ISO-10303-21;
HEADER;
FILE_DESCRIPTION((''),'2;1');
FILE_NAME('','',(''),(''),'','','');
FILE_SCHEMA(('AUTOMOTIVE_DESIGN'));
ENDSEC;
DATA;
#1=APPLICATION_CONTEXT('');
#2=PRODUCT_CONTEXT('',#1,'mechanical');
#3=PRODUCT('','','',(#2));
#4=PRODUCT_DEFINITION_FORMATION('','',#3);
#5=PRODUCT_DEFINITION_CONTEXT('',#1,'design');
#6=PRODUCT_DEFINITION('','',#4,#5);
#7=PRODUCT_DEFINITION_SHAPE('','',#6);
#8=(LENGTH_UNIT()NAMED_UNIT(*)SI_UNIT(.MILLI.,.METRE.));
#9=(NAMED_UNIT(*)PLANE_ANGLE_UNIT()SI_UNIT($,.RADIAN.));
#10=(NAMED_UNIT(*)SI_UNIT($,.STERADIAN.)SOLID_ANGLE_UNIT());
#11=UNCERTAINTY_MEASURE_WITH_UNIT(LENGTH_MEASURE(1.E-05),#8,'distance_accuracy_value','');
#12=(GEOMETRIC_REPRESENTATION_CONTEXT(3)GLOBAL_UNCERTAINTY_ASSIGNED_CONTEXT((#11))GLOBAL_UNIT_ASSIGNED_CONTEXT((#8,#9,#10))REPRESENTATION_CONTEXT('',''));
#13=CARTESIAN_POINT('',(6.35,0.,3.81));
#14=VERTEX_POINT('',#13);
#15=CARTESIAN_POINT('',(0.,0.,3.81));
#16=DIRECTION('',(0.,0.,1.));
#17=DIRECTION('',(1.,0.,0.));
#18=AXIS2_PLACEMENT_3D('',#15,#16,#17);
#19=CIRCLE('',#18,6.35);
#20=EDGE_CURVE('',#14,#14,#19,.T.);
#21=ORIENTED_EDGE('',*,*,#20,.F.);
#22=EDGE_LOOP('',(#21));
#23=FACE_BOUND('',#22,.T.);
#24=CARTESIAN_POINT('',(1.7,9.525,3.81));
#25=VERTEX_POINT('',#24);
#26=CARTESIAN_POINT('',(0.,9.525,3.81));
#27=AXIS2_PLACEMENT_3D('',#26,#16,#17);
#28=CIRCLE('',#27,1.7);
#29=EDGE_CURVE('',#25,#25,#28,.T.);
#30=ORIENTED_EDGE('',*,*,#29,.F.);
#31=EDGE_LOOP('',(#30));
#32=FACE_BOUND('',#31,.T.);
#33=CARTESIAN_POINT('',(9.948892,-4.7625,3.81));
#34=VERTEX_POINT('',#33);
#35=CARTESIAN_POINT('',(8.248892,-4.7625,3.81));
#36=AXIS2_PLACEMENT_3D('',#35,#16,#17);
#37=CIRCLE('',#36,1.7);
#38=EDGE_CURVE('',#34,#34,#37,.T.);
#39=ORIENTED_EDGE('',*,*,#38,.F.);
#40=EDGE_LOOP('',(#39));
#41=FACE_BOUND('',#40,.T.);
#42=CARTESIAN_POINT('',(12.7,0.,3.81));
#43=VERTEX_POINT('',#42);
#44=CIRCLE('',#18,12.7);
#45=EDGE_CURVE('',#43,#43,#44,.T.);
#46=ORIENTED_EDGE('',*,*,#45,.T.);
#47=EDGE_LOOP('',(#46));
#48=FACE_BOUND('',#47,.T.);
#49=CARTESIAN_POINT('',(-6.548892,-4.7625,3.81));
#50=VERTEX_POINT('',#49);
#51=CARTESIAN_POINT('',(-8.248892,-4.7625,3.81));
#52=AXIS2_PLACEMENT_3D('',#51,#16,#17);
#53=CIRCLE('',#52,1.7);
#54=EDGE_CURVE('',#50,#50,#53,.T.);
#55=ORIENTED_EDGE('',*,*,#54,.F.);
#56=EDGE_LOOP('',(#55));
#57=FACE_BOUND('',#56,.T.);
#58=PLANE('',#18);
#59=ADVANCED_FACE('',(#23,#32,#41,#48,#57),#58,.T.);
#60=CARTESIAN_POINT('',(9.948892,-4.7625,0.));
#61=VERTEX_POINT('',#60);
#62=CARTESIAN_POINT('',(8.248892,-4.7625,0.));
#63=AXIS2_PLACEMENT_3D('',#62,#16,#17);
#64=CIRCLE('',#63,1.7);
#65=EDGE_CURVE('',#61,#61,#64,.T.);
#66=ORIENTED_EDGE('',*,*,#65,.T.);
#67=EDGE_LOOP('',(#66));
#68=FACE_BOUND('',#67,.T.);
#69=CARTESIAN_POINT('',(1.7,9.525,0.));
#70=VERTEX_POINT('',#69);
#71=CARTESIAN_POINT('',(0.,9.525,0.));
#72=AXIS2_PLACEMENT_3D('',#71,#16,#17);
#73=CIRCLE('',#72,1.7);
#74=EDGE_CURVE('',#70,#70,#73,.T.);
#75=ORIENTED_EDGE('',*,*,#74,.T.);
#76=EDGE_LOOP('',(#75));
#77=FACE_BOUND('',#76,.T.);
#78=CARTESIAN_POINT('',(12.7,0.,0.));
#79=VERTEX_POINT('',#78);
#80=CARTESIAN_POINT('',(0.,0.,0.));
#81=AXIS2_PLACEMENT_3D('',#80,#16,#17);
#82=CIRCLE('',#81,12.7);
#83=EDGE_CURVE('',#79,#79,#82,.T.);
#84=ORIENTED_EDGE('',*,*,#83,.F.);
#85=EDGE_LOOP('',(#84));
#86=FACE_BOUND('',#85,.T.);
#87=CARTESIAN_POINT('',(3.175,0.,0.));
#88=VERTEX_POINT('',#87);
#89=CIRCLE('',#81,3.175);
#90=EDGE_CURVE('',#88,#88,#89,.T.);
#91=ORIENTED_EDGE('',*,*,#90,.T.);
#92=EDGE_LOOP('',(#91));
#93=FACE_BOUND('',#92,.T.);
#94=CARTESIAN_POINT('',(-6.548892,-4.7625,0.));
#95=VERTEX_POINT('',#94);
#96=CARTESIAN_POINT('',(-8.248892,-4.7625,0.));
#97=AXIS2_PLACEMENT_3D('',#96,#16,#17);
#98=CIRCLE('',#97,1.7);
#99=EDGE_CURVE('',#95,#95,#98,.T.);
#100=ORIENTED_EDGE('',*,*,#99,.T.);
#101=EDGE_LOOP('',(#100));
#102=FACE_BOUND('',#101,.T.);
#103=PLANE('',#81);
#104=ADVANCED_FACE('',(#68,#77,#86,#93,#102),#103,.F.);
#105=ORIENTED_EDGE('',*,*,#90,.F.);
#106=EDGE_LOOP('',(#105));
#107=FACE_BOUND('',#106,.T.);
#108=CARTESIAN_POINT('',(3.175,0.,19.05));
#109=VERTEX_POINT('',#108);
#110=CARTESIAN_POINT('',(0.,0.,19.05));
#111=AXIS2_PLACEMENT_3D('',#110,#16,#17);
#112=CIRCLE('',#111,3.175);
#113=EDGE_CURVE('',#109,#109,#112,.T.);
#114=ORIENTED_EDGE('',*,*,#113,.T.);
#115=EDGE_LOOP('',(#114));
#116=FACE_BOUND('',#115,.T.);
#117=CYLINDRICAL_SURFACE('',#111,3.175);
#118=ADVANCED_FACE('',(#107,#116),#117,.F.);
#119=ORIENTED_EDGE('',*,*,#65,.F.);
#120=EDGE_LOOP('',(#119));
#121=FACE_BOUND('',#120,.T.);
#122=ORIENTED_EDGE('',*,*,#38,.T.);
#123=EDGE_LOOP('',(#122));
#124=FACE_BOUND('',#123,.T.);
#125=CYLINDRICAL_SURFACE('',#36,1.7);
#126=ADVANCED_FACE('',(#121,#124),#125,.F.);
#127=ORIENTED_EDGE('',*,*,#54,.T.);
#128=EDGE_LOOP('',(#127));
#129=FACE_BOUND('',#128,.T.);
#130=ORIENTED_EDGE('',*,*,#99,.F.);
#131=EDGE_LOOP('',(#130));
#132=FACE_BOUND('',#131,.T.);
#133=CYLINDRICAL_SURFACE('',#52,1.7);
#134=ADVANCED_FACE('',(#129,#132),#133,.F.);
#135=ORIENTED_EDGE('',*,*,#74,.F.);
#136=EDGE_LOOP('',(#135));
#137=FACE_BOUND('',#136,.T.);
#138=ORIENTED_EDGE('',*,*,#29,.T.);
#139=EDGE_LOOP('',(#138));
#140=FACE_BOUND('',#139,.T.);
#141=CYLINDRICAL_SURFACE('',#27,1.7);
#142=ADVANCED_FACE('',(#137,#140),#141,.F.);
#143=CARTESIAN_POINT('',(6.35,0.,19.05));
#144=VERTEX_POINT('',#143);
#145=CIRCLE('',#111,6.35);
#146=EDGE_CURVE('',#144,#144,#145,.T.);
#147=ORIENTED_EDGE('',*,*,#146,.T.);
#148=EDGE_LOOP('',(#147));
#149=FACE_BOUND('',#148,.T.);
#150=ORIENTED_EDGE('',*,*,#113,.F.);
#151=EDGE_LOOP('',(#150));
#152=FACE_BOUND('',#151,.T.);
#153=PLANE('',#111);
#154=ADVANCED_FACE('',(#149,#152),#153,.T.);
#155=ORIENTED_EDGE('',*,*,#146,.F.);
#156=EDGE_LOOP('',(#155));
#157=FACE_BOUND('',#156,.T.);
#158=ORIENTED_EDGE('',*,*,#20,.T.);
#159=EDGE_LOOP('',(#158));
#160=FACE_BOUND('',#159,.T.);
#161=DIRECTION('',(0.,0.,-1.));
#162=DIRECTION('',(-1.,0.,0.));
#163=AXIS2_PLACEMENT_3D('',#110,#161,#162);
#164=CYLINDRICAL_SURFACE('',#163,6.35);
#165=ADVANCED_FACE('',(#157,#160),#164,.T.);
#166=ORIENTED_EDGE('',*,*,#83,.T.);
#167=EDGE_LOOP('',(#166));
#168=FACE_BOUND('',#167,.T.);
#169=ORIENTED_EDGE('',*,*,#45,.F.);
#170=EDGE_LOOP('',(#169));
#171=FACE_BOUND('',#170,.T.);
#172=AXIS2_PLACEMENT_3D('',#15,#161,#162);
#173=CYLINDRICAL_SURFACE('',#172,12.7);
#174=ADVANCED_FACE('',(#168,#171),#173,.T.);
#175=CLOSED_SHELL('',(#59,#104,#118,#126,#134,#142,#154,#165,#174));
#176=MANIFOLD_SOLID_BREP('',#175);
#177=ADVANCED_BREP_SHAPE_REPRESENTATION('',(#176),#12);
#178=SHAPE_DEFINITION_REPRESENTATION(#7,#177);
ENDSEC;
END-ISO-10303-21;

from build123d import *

# Parameters (mm, degrees)
SCHIZZO1_R                   = 12.7
ESTRUSIONE_ESTRUSIONE1_DEPTH = 3.81
SCHIZZO2_R                   = 6.35
ESTRUSIONE_ESTRUSIONE2_DEPTH = 15.24
FORI_ALESATO_4_0MM1_D        = 6.35
FORO_PER_VITE_M3_1_D         = 3.4
RIPETIZIONECIRCOLARE2_COUNT  = 3


with BuildPart() as part:
    # Schizzo1 → Estrusione-Estrusione1 (new body)
    with BuildSketch(Plane(origin=(0, 0, 0), x_dir=(0, 1, 0), z_dir=(0, 0, 1))):
        with Locations(Location((0, 0, 0), (0, 0, 270))):
            Circle(SCHIZZO1_R)
    extrude(amount=ESTRUSIONE_ESTRUSIONE1_DEPTH)

    # Schizzo2 → Estrusione-Estrusione2 (add)
    with BuildSketch(Plane.XY.offset(3.81)):
        Circle(SCHIZZO2_R)
    extrude(amount=ESTRUSIONE_ESTRUSIONE2_DEPTH)

    # Fori Alesato Ø4.0mm1 (through all)
    with Locations(Plane.XY.offset(19.05)):
        with Locations((0, 0)):
            Hole(FORI_ALESATO_4_0MM1_D / 2)

    # Foro per Vite M3-1 (through all)
    with Locations(Plane.XY.offset(3.81)):
        with Locations((0, 9.525)):
            foro_per_vite_m3_1 = Hole(FORO_PER_VITE_M3_1_D / 2)

    # RipetizioneCircolare2: Foro per Vite M3-1 ×3 about axis
    ripetizionecircolare2_axis = Axis((0, 0, 0), (0, 0, 1))
    for i in range(1, RIPETIZIONECIRCOLARE2_COUNT):
        add(foro_per_vite_m3_1.rotate(ripetizionecircolare2_axis, i * 360 / RIPETIZIONECIRCOLARE2_COUNT), mode=Mode.SUBTRACT)


solid = part.part
